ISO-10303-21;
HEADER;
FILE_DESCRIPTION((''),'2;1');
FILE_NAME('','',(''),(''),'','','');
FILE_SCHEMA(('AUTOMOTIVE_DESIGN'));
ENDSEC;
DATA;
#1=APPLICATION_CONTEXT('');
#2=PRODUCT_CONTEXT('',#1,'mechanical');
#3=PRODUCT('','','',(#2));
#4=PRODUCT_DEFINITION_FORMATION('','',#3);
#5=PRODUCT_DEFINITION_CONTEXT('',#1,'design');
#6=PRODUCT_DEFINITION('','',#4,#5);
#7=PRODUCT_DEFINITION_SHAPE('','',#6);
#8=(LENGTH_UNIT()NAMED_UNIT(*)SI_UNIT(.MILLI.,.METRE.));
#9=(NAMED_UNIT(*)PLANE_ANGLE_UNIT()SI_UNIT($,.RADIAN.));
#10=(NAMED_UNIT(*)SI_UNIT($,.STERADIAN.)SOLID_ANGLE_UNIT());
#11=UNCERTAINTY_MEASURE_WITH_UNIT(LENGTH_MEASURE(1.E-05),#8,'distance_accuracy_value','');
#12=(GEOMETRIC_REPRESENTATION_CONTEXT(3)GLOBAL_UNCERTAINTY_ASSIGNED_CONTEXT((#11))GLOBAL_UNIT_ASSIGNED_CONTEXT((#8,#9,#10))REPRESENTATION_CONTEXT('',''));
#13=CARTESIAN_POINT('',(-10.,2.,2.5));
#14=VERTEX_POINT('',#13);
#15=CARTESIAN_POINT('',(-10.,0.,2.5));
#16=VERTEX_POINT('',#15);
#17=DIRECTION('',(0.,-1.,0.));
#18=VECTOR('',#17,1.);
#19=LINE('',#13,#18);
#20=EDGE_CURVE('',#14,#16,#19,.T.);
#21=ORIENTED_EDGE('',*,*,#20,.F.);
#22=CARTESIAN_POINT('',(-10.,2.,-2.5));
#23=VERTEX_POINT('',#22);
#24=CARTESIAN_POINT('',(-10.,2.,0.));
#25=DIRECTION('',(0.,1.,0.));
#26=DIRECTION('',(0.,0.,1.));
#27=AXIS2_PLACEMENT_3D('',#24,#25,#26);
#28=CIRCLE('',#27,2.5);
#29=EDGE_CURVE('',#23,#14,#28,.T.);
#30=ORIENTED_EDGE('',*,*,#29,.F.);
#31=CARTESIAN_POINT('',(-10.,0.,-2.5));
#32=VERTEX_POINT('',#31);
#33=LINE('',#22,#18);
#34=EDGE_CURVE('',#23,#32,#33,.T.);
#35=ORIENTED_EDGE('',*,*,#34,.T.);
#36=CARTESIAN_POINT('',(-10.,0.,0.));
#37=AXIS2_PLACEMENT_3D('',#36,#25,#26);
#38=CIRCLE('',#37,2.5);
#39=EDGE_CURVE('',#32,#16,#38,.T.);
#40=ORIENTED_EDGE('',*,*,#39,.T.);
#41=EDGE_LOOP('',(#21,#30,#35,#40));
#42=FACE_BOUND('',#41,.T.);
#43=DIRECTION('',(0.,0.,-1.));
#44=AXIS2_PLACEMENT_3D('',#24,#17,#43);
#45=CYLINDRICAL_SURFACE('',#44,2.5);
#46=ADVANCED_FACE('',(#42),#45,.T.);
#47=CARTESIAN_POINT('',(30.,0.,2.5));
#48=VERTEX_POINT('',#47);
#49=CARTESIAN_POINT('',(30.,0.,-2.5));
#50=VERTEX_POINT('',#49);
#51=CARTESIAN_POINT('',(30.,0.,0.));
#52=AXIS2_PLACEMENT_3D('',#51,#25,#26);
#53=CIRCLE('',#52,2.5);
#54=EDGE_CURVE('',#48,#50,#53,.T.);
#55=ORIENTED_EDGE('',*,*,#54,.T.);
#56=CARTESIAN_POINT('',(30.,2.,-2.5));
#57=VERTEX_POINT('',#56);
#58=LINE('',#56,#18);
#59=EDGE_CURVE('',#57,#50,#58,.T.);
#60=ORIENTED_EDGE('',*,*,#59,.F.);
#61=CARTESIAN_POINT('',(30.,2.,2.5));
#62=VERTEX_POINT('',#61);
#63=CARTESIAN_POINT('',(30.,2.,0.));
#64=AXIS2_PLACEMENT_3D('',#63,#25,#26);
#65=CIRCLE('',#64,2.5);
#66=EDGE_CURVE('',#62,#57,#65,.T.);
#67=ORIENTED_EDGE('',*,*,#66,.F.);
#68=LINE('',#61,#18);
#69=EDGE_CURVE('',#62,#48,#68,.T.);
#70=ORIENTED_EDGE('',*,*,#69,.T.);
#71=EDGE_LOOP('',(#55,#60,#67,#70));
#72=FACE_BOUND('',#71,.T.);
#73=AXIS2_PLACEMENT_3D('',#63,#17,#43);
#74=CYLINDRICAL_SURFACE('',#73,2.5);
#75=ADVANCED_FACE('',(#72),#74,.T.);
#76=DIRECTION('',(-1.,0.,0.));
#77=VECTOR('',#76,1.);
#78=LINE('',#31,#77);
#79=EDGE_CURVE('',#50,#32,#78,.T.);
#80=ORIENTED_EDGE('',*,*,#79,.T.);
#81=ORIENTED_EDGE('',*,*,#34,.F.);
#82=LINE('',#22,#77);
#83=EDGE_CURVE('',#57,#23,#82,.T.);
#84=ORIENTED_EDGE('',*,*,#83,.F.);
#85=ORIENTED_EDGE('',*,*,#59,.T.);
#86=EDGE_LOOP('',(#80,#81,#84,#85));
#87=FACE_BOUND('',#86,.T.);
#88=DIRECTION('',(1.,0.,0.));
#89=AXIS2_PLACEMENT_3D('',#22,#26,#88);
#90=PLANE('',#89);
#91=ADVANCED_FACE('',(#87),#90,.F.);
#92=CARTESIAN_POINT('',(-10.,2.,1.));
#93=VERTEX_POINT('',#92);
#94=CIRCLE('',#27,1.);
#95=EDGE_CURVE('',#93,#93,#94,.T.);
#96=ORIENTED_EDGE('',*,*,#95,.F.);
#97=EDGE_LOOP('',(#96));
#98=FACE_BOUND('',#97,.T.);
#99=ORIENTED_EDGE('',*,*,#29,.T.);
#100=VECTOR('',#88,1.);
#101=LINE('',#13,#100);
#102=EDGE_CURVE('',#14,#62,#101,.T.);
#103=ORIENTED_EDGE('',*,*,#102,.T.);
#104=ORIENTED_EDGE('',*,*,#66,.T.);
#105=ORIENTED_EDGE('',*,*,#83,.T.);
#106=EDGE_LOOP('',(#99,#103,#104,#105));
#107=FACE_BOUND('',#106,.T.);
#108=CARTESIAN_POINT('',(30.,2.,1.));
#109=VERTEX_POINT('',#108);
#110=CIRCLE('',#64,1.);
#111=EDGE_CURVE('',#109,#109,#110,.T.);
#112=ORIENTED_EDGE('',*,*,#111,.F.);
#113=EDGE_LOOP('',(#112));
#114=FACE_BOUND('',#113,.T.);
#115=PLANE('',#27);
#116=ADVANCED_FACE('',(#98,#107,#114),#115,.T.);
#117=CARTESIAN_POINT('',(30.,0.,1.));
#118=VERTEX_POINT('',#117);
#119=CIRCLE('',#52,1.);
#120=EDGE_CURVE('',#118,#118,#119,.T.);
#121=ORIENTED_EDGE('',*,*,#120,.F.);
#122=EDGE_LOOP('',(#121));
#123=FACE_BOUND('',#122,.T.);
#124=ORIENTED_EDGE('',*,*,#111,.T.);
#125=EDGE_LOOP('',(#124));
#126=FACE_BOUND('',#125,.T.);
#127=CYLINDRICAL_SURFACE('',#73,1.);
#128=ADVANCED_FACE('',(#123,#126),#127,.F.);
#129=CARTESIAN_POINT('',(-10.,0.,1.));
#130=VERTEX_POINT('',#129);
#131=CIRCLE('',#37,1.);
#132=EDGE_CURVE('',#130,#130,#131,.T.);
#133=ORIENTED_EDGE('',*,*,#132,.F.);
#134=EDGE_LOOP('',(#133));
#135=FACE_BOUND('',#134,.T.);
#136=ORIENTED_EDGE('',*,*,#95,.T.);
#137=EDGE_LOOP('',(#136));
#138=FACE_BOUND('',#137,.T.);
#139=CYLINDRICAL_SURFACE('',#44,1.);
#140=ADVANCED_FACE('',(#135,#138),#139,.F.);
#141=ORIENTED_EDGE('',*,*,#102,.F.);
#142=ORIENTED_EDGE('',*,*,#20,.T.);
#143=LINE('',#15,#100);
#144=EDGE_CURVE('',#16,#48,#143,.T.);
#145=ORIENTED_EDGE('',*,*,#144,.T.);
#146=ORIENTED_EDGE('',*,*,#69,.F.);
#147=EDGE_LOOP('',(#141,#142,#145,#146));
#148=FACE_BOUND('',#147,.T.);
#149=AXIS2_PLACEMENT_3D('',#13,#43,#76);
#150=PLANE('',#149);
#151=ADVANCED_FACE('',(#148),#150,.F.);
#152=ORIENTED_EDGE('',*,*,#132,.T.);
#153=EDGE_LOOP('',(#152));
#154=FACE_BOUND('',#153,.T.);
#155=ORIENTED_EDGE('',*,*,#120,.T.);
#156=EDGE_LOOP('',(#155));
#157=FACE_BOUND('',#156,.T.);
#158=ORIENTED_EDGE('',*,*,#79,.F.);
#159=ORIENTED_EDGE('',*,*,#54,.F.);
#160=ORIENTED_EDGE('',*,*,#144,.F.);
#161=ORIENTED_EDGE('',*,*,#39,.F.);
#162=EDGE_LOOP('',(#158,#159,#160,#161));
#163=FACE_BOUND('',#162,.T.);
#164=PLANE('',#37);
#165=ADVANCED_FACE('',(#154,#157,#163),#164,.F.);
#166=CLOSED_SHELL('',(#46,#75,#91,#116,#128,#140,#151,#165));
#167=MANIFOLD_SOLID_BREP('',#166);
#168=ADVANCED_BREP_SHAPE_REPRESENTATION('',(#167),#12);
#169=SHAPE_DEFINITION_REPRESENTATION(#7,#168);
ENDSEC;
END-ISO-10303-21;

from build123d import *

# Parameters (mm, degrees)
SKETCH1_R           = 1
BOSS_EXTRUDE1_DEPTH = 2


with BuildPart() as part:
    # Sketch1 → Boss-Extrude1 (new body)
    with BuildSketch(Plane(origin=(0, 0, 0), x_dir=(1, 0, 0), z_dir=(0, 1, 0))):
        with BuildLine():
            Line((-10, 2.5), (30, 2.5))
            ThreePointArc((30, 2.5), (32.5, 0), (30, -2.5))
            Line((30, -2.5), (-10, -2.5))
            ThreePointArc((-10, -2.5), (-12.5, 0), (-10, 2.5))
        make_face()
        with Locations(Location((30, 0, 0), (0, 0, 270))):
            Circle(SKETCH1_R, mode=Mode.SUBTRACT)
        with Locations(Location((-10, 0, 0), (0, 0, 270))):
            Circle(SKETCH1_R, mode=Mode.SUBTRACT)
    extrude(amount=BOSS_EXTRUDE1_DEPTH)


solid = part.part
